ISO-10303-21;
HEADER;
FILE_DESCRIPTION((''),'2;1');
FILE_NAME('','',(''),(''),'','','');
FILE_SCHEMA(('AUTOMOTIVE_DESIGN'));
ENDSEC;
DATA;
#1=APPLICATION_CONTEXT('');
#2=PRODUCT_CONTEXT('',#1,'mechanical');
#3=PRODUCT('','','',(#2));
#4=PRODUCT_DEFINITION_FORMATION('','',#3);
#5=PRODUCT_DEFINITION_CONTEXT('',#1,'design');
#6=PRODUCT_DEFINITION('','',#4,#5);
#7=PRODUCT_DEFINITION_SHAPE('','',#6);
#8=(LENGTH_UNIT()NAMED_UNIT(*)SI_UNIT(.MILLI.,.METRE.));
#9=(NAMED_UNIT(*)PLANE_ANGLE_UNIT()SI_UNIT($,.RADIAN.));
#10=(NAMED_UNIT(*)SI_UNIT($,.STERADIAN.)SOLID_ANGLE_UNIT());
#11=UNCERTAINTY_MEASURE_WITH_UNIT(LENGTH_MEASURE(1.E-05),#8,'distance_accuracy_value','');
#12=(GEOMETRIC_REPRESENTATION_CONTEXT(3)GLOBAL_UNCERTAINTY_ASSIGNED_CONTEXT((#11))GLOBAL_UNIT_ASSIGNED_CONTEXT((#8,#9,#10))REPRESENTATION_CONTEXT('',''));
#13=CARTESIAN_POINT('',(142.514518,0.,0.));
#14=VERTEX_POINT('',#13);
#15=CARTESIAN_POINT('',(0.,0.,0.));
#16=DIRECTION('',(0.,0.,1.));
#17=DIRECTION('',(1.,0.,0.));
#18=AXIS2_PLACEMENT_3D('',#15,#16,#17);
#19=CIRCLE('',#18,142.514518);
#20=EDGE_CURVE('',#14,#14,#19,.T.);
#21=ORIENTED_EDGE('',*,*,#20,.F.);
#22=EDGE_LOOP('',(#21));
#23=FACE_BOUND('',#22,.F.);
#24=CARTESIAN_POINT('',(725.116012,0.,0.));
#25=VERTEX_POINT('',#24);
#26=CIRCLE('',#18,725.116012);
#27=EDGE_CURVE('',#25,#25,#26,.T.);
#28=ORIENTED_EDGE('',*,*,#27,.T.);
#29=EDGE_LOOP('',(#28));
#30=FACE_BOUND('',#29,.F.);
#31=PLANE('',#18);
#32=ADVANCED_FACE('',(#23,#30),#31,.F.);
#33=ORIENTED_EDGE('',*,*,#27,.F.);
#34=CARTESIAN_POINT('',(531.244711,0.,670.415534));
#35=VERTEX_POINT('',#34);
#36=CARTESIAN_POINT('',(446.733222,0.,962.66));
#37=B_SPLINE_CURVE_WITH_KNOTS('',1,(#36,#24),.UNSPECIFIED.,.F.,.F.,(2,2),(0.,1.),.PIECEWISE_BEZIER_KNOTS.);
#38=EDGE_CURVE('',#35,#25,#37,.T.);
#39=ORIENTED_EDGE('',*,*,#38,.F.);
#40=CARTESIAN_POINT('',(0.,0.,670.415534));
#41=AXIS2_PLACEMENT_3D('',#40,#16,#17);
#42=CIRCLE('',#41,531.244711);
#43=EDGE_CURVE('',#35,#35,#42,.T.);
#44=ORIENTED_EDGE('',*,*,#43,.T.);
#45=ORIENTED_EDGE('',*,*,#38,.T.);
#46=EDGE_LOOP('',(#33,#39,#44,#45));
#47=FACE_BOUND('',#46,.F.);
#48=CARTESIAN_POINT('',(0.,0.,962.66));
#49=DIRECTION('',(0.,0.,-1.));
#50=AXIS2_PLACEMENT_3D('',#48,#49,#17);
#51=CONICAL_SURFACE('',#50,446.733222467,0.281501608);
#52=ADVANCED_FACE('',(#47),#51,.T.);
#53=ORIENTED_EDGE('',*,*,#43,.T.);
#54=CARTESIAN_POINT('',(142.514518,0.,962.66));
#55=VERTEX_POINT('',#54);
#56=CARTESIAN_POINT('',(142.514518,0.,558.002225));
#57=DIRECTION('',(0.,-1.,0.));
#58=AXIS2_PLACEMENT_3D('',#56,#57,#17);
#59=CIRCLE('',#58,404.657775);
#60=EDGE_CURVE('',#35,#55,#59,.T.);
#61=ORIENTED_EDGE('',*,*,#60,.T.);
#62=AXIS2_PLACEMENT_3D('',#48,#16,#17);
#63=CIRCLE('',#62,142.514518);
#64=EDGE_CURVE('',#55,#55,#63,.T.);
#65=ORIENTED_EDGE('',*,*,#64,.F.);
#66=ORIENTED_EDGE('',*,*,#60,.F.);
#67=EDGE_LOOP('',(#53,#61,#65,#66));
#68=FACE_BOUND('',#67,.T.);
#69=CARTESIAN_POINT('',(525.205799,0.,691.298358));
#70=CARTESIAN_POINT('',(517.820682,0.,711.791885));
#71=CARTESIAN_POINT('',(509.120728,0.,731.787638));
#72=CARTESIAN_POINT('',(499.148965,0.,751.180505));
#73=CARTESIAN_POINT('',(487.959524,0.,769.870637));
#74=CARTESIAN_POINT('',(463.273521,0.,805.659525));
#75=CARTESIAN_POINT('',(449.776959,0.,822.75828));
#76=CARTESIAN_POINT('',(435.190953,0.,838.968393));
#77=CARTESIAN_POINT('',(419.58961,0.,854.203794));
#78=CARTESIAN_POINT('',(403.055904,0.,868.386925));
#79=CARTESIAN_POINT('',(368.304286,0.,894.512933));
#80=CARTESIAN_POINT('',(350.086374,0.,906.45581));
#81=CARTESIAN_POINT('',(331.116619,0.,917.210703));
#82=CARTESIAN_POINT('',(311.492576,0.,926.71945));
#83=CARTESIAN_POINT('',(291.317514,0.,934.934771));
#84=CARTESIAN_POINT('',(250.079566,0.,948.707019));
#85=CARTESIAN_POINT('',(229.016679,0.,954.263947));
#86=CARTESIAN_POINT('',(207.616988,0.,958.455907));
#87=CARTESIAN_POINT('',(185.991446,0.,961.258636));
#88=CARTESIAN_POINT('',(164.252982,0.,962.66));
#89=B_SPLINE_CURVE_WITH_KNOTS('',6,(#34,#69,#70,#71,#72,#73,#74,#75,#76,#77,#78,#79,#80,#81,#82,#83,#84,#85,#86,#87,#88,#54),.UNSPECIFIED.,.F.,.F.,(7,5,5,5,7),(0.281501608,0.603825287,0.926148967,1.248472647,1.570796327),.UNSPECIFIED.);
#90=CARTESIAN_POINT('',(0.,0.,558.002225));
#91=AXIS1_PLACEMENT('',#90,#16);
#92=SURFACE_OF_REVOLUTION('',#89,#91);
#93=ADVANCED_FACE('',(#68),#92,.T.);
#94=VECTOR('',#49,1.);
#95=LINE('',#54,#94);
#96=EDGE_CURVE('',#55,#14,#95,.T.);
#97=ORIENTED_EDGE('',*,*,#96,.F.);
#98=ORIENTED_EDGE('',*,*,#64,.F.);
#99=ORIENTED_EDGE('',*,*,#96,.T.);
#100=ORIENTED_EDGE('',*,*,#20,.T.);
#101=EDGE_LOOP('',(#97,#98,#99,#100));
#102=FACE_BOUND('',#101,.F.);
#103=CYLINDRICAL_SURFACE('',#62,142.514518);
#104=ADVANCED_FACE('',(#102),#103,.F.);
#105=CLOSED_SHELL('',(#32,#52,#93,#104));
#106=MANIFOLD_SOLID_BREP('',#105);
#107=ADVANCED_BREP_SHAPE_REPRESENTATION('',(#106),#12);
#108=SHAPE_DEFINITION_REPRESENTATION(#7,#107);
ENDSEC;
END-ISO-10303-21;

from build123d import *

# Parameters (mm, degrees)
F0_R       = 725.116012299
F1_DEPTH   = 962.66
F2_R       = 446.733222467
F1_FACE1_R = 725.116012299
F4_R       = 404.6577748379
F5_DEPTH   = 962.66


with BuildPart() as f1:
    # F0 (on Top) → F1 (new body)
    with BuildSketch(Plane.XY):
        Circle(F0_R)
    extrude(amount=F1_DEPTH)

    # F2 (on face) → F3 section 0
    with BuildSketch(Plane.XY.offset(962.66)):
        Circle(F2_R)
    # F1_face1 (on face) → F3 section 1
    with BuildSketch(Plane(origin=(0, 0, 0), x_dir=(1, 0, 0), z_dir=(0, 0, -1))):
        Circle(F1_FACE1_R)
    loft(mode=Mode.INTERSECT)

    # F4
    f4_edges = [f1.edges().sort_by_distance(p)[0] for p in [
        (-446.733222, 0, 962.66),
    ]]
    fillet(f4_edges, radius=F4_R)

    # F5 (cut): a face of the model
    f5_faces = [f1.faces().sort_by_distance(p)[0] for p in [
        (0, 0, 962.66),
    ]]
    extrude(f5_faces, amount=-F5_DEPTH, mode=Mode.SUBTRACT)


solid = f1.part
